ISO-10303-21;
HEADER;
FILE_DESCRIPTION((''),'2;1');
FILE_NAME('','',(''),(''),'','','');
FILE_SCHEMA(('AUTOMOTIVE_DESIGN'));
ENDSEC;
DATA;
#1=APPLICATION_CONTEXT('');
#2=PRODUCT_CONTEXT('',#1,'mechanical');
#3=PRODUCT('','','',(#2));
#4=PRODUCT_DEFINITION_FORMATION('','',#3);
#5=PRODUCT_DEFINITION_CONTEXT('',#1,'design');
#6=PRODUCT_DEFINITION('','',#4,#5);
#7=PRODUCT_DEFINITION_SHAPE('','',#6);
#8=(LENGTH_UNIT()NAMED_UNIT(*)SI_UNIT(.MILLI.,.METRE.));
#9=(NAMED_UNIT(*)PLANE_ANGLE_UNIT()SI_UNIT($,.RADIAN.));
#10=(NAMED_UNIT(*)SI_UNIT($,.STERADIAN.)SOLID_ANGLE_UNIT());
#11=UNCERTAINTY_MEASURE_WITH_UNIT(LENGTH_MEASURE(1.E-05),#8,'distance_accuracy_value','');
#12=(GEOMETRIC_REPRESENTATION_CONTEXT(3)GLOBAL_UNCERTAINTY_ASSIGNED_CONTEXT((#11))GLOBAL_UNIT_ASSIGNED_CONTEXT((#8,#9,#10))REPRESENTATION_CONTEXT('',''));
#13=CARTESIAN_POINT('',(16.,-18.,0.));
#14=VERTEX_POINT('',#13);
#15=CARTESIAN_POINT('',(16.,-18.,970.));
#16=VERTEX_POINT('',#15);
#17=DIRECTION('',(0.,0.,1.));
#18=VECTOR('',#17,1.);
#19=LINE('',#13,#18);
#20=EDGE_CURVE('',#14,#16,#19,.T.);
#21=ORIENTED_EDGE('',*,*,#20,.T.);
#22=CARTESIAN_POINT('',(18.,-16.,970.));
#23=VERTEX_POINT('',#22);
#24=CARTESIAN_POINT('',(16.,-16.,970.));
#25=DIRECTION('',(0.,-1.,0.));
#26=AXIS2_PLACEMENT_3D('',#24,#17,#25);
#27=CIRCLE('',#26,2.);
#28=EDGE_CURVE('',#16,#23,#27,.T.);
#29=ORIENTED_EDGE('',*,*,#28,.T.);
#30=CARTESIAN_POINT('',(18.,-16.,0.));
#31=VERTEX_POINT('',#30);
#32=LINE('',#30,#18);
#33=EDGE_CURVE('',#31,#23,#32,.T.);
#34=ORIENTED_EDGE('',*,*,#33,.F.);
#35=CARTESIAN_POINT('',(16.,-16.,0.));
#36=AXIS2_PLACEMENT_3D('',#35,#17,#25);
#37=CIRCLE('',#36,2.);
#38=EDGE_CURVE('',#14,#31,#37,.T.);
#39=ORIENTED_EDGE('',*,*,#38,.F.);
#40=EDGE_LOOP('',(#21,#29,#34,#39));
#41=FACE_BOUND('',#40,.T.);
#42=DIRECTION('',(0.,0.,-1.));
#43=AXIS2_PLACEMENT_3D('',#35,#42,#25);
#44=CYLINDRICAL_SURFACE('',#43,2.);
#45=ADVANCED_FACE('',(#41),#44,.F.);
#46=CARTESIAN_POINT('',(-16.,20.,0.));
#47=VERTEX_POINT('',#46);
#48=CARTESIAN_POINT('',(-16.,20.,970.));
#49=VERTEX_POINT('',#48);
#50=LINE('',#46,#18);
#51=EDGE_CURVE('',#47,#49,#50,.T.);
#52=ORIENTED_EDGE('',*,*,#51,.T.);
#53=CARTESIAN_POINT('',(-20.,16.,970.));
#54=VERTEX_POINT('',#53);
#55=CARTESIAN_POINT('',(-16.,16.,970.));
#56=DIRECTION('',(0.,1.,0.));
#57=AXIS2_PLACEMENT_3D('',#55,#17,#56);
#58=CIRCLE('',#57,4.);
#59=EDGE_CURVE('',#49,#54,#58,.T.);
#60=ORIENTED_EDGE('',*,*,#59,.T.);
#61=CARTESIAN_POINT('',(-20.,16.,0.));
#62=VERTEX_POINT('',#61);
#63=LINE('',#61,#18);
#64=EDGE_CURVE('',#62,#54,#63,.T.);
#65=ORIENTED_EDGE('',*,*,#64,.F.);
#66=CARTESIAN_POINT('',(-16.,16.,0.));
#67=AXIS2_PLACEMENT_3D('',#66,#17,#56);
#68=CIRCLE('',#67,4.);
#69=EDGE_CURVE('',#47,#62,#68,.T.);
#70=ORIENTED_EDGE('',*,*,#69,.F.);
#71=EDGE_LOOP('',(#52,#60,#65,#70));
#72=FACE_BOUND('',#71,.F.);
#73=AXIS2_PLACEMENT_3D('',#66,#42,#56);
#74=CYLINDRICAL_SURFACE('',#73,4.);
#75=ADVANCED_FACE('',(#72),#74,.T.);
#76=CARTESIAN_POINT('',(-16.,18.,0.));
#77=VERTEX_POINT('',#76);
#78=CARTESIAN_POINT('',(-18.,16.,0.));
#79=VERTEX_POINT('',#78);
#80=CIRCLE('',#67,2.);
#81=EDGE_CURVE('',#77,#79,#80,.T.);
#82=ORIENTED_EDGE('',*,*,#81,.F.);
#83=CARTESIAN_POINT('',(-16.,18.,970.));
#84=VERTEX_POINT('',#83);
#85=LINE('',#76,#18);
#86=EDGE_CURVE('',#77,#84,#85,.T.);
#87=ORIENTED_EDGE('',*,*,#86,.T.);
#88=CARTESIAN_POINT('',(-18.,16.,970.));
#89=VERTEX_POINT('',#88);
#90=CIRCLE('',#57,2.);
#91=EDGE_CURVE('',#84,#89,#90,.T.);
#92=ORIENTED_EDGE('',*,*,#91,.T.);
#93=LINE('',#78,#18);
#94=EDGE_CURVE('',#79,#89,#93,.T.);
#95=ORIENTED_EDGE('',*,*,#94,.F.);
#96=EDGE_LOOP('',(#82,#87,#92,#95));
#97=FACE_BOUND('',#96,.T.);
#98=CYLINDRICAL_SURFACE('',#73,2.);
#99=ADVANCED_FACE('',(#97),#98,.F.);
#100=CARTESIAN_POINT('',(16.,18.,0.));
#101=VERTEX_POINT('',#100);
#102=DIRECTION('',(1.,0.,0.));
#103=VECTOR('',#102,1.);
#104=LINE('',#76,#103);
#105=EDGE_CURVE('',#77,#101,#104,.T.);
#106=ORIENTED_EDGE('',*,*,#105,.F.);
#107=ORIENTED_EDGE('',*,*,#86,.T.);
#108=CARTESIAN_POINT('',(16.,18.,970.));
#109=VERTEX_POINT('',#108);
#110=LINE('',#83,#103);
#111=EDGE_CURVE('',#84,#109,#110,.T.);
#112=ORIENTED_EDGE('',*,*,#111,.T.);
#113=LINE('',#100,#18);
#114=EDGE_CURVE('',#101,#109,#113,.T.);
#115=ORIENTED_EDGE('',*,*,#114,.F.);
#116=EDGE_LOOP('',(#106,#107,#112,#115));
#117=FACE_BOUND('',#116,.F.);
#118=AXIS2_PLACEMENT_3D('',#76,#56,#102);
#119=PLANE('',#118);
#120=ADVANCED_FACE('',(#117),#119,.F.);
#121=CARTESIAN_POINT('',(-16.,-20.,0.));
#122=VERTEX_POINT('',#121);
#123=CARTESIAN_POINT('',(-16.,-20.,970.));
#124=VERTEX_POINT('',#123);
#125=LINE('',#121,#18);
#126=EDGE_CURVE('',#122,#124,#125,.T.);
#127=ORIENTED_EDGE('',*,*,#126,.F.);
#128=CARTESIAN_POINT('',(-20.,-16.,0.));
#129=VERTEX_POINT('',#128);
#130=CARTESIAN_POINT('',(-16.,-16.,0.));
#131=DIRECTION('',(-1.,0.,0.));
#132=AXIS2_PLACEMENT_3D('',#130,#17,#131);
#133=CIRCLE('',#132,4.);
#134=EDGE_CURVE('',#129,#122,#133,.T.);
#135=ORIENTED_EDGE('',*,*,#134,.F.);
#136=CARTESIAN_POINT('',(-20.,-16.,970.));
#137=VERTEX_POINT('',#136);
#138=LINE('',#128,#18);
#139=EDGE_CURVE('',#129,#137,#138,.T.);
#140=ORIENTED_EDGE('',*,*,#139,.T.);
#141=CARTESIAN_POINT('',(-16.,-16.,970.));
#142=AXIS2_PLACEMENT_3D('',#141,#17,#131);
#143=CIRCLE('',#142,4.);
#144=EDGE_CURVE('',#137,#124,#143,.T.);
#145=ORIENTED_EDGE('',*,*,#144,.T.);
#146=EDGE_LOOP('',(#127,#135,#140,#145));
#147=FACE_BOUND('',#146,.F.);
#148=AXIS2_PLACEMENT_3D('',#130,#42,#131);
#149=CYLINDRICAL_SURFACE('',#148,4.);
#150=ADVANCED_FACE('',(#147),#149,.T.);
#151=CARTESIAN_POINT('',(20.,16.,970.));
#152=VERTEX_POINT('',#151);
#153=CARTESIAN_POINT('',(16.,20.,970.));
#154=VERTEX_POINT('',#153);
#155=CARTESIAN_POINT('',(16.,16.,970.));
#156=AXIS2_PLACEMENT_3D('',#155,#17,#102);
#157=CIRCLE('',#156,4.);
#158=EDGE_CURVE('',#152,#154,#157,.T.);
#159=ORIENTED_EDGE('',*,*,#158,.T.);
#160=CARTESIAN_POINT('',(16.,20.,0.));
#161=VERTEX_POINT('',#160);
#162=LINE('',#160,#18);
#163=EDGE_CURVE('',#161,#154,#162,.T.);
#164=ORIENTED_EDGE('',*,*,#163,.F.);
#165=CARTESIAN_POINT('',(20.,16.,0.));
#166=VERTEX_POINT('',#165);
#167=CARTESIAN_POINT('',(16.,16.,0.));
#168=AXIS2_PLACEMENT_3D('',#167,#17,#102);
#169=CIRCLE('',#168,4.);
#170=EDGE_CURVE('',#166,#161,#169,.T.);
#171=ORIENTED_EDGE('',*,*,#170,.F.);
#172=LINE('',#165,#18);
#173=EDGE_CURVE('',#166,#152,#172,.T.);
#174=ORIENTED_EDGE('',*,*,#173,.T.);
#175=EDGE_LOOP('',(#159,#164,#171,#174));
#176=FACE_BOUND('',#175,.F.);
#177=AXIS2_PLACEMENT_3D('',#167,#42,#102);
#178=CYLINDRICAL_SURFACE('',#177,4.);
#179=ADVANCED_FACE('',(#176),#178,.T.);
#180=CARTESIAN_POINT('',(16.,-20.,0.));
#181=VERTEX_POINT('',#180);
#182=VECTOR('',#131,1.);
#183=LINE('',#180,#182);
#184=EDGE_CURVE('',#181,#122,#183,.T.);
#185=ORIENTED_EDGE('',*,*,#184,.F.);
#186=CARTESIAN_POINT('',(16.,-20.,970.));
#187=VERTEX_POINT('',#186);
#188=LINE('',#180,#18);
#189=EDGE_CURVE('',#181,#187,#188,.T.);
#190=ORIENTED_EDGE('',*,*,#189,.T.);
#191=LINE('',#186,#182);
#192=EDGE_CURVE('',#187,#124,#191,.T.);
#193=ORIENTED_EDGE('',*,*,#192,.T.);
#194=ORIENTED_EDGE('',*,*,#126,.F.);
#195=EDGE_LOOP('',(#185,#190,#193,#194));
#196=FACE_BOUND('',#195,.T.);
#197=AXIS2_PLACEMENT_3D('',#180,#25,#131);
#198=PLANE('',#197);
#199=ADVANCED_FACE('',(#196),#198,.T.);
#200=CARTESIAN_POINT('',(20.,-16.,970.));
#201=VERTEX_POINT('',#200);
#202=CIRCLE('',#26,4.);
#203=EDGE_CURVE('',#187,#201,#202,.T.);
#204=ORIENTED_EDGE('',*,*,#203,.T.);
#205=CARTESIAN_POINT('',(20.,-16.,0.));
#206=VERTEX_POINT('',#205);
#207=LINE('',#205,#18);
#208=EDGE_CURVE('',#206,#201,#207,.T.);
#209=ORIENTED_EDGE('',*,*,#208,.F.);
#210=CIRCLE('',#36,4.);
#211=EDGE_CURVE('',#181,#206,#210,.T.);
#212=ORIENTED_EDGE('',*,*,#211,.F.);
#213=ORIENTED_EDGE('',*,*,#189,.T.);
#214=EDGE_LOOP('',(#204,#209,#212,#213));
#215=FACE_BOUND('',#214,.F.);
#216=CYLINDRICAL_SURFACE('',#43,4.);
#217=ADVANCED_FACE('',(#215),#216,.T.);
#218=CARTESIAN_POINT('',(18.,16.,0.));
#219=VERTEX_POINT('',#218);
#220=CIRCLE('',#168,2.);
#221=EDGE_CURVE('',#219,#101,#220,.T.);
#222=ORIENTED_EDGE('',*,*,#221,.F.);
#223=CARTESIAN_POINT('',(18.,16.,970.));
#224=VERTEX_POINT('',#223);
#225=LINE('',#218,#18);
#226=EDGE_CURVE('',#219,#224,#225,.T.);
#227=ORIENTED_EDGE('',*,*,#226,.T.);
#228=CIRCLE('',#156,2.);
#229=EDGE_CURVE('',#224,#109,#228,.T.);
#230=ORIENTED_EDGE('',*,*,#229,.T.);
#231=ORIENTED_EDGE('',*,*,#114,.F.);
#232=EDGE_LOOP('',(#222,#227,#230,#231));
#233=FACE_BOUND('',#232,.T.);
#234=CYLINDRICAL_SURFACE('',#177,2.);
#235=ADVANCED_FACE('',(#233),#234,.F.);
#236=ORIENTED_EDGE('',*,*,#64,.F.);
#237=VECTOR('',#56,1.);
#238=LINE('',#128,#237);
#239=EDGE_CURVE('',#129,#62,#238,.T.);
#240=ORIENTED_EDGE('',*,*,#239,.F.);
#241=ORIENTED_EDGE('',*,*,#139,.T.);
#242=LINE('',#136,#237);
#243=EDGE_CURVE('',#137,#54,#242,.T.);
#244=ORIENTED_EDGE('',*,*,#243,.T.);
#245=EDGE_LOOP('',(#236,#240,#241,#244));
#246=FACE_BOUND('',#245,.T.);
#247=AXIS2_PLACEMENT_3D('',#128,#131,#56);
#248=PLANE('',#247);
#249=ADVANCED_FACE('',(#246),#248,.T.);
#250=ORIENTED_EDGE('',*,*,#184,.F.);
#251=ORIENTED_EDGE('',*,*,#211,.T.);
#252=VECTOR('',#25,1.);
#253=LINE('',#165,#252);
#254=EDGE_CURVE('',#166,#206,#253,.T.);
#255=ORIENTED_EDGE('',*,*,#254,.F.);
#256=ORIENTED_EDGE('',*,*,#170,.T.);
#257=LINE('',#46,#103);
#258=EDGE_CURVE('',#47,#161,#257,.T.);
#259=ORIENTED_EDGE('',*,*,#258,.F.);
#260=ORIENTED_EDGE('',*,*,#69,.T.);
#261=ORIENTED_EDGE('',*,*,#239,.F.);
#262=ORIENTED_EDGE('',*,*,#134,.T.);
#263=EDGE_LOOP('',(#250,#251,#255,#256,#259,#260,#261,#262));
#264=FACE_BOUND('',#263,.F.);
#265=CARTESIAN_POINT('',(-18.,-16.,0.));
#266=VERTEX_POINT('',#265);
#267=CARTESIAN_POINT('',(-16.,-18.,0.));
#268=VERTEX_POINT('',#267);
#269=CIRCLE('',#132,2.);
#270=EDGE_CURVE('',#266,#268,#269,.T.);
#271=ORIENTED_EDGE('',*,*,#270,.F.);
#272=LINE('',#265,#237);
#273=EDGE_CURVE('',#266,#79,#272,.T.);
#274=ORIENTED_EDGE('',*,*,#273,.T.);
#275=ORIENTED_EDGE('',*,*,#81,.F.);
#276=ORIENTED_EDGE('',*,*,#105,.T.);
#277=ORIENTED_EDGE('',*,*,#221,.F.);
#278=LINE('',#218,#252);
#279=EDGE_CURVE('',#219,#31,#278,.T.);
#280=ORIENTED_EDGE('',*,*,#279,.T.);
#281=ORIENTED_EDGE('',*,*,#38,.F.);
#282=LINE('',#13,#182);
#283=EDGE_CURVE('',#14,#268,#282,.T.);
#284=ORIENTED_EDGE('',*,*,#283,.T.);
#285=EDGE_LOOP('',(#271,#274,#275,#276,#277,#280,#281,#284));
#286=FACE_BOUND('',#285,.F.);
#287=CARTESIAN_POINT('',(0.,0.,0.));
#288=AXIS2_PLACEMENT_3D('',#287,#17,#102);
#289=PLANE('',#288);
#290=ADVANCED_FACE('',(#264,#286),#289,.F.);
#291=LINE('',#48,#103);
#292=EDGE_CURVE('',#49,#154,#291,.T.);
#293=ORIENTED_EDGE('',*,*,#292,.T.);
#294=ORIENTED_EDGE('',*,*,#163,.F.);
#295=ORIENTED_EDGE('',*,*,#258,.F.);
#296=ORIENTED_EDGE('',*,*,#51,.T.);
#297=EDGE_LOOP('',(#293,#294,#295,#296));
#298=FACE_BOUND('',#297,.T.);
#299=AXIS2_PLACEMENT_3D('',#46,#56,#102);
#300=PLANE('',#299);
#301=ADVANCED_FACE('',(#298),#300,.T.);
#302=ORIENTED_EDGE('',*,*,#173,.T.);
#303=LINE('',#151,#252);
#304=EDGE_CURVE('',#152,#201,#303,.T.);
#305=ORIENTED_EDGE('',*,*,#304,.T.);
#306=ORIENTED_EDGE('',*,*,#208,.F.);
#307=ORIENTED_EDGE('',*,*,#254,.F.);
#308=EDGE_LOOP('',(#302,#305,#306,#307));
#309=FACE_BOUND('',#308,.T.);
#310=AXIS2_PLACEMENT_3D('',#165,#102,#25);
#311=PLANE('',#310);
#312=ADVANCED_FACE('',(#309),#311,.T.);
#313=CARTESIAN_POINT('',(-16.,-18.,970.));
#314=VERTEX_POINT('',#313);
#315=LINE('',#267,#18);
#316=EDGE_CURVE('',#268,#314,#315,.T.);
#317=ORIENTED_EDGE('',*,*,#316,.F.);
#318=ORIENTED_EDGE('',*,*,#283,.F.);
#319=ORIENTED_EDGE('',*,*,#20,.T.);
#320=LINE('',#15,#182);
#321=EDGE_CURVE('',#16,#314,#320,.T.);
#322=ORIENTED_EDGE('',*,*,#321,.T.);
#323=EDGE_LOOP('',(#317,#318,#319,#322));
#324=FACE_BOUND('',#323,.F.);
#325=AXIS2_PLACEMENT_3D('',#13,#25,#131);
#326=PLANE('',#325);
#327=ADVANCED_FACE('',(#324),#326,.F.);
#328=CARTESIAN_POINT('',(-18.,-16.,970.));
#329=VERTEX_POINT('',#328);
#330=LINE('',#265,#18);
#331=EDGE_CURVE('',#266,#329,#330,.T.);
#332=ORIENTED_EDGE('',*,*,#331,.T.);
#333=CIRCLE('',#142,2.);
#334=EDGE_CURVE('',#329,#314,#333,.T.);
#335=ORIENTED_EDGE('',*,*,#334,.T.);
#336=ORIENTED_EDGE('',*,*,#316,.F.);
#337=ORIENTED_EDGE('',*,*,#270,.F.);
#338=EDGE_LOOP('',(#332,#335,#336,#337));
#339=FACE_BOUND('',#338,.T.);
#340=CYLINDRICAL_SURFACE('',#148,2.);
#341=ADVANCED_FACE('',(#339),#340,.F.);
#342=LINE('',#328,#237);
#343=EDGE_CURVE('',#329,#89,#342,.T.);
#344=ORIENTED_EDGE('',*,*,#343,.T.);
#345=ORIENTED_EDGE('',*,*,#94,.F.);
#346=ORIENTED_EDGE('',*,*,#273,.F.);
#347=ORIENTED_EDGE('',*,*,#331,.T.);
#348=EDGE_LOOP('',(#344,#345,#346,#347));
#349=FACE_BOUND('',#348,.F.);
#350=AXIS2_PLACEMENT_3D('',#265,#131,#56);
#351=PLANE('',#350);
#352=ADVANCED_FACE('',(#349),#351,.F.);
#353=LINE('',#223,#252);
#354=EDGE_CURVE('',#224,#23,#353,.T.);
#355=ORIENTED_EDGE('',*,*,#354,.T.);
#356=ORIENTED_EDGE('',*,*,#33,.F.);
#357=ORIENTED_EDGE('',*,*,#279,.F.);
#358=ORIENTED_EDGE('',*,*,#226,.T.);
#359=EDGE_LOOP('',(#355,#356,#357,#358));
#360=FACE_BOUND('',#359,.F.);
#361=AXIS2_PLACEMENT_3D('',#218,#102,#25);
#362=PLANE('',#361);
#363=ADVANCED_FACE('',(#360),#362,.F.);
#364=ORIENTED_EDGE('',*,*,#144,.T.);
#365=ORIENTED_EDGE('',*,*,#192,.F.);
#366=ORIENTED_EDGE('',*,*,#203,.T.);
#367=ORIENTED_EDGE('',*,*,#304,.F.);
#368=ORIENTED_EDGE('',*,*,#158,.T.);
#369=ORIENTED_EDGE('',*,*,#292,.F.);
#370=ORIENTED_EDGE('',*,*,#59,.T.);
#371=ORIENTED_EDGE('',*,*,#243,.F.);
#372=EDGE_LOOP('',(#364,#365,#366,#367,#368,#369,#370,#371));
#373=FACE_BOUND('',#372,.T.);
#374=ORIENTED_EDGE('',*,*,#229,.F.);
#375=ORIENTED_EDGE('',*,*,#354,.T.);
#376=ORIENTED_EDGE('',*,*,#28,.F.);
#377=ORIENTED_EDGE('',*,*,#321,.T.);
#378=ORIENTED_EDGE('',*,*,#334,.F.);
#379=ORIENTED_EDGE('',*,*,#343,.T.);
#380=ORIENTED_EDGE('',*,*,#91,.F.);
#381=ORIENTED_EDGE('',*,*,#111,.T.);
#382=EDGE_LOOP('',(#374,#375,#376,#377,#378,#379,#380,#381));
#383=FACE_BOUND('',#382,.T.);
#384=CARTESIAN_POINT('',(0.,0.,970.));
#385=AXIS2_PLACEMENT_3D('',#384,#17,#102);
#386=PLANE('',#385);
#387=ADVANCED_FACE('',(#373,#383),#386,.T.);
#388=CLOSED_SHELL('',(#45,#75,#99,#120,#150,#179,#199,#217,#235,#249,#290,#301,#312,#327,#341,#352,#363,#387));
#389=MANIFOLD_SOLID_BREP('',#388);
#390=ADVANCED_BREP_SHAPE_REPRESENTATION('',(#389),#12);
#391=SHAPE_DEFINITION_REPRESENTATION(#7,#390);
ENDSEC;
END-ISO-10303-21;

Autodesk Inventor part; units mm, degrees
ref_plane "YZ Plane" through (0, 0, 0) normal (1, 0, 0) x (0, 1, 0)
ref_plane "Start Plane" through (0, 0, 0) normal (0, 0, 1) x (1, 0, 0)
ref_plane "End Plane" through (0, 0, 970) normal (0, 0, 1) x (1, 0, 0)
sketch "Sketch" plane through (0, 0, 0) normal (0, 0, 1) x (1, 0, 0)
  line L0 (-20, -16) -> (-20, 16)
  line L1 (-16, 20) -> (16, 20)
  line L2 (20, 16) -> (20, -16)
  line L3 (16, -20) -> (-16, -20)
  arc A0 (-20, -16) -> (-16, -20) centre (-16, -16) ccw
  arc A1 (20, 16) -> (16, 20) centre (16, 16) ccw
  arc A2 (-16, 20) -> (-20, 16) centre (-16, 16) ccw
  arc A3 (16, -20) -> (20, -16) centre (16, -16) ccw
  arc A4 (-16, 18) -> (-18, 16) centre (-16, 16) ccw
  line L4 (-16, 18) -> (16, 18)
  arc A5 (18, 16) -> (16, 18) centre (16, 16) ccw
  line L5 (18, 16) -> (18, -16)
  arc A6 (16, -18) -> (18, -16) centre (16, -16) ccw
  line L6 (16, -18) -> (-16, -18)
  arc A7 (-18, -16) -> (-16, -18) centre (-16, -16) ccw
  line L7 (-18, -16) -> (-18, 16)
  line L8 (0, 29.1598) -> (0, -29.1598) construction
  line L9 (-29.1598, 0) -> (29.1598, 0) construction
  dimension "d7" = 4
  dimension "d9" = 40
  dimension "d11" = 40
  dimension "d12" = 2
  dimension "d15" = 20
  dimension "d16" = 20
extrude "Body" add sketch "Sketch" along normal up to surface (970 mm away) from surface at 0
sketch "Sketch3" plane through (0, 0, 0) normal (0, 0, 1) x (1, 0, 0)
  line L0 (0, 0) -> (10, 0)
ref_plane "Work Plane3" through (0, 0, 0) normal (0, -1, 0) x (1, 0, 0)
sketch "Sketch4" plane through (0, 0, 0) normal (0, -1, 0) x (1, 0, 0)
  line L0 (-2, 0) -> (12, 0) projected
  line L1 (-2, 970) -> (12, 970) projected
  dimension "d18" = 970
equation "\"d7\" = G_IR"
equation "\"d9\" = G_W"
equation "\"d11\" = G_H"
equation "\"d12\" = G_T"
equation "\"d15\" = 0.5 * d9"
equation "\"d16\" = 0.5 * d11"
equation "\"d3\" = G_L"
equation "\"G_W\" = 40"
equation "\"G_H\" = 40"
equation "\"G_T\" = 2"
equation "\"G_IR\" = 4"
equation "\"G_L\" = d18"
equation "\"G_OFFSET_START\" = 0"
equation "\"G_OFFSET_END\" = 0"
properties part number "ISO 10799-2 - 40x40x2 - 970" material "Stainless Steel"
